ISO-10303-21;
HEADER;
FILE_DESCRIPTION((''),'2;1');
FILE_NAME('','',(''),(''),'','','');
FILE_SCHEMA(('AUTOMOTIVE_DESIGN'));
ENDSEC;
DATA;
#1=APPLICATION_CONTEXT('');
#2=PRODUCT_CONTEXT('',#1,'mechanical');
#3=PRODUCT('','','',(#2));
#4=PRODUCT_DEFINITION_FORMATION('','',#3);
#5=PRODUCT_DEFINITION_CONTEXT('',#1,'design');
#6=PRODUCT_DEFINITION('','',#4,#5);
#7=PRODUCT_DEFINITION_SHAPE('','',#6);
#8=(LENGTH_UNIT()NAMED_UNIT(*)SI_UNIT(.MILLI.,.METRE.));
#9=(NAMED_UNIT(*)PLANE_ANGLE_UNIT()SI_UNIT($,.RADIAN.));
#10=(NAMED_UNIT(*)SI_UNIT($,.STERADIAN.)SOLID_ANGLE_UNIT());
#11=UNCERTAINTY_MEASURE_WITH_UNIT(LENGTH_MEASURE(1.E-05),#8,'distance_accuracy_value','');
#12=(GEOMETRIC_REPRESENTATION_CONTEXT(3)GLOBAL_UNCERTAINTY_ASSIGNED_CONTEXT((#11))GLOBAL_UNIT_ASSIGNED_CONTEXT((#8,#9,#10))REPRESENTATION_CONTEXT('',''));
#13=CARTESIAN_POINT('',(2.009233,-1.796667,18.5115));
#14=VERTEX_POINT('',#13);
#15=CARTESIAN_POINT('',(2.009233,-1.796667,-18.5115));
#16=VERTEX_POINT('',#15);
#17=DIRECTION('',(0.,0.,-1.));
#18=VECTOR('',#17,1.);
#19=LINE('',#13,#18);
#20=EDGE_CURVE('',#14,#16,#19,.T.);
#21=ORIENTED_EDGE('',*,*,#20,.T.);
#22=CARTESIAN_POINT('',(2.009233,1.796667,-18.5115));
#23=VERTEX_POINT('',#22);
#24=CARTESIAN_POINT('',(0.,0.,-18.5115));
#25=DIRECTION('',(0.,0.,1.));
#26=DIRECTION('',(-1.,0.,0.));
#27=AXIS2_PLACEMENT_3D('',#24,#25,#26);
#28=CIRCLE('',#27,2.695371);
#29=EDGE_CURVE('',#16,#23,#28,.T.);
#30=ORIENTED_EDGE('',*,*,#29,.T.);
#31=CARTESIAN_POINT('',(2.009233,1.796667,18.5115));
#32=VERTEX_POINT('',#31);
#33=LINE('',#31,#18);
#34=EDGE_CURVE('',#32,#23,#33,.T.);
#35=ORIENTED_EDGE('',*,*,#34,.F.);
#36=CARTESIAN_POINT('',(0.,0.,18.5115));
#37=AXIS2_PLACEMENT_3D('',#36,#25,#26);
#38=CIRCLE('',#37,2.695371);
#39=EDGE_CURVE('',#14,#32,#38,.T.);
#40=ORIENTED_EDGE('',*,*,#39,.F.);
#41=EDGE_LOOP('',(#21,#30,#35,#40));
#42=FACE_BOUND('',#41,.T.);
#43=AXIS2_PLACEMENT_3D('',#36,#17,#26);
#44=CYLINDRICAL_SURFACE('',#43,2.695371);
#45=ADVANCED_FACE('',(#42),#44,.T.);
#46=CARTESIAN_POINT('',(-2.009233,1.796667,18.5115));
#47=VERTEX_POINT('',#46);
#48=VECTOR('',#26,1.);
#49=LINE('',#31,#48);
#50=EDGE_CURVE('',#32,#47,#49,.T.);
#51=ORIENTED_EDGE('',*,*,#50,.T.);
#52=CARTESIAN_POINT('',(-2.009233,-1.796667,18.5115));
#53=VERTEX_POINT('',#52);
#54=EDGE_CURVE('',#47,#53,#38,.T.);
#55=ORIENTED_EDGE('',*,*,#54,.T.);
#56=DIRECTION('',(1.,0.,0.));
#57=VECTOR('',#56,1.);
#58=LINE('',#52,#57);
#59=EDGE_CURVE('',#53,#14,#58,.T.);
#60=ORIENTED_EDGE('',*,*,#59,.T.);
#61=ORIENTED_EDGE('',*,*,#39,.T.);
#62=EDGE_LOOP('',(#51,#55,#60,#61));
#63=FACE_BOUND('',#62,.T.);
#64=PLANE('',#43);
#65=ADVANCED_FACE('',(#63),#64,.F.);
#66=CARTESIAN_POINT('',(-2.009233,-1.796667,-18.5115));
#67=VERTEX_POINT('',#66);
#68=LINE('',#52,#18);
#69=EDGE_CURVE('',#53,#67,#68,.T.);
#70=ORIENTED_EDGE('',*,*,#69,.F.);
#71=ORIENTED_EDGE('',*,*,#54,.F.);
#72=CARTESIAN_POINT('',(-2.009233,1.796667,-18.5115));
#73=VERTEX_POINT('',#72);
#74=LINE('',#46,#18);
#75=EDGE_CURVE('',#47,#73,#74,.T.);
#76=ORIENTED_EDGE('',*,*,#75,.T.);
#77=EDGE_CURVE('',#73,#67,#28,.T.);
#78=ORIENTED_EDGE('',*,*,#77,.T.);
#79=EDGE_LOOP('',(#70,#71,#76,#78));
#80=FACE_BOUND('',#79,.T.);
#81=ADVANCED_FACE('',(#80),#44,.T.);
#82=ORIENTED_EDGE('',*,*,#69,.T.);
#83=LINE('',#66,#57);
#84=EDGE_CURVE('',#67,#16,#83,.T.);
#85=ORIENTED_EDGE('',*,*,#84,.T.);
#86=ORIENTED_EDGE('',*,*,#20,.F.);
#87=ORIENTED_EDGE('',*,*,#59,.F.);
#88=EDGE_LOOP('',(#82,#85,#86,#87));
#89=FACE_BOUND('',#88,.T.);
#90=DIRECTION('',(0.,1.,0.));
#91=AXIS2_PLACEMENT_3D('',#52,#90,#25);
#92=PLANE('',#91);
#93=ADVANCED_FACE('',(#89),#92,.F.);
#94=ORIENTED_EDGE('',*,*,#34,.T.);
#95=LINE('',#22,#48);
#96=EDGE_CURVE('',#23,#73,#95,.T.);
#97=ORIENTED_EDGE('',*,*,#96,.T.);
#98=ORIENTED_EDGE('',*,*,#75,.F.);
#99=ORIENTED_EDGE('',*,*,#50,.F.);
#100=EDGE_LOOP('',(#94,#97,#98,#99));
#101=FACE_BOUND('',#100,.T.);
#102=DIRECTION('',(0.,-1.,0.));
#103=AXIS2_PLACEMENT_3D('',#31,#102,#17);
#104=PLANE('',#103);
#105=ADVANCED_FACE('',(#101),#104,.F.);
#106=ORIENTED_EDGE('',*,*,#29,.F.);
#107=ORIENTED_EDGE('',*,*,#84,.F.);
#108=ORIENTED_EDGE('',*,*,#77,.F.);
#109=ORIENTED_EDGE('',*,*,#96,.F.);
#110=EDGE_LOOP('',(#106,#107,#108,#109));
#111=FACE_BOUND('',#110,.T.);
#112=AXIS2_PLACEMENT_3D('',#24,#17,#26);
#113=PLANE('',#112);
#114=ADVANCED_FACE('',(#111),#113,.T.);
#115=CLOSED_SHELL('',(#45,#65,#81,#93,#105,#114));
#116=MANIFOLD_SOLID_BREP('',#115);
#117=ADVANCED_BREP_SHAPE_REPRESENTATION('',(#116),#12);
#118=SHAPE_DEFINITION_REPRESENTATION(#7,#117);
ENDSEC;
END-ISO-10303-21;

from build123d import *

# Parameters (mm, degrees)
BOSS_EXTRUDE1_DEPTH = 18.5115


with BuildPart() as part:
    # Sketch1 → Boss-Extrude1 (new, symmetric)
    with BuildSketch(Plane.XY):
        with BuildLine():
            Line((2.009232696, 1.796666667), (-2.009232696, 1.796666667))
            ThreePointArc((-2.009232696, 1.796666667), (-2.695371429, 0), (-2.009232696, -1.796666667))
            Line((-2.009232696, -1.796666667), (2.009232696, -1.796666667))
            ThreePointArc((2.009232696, -1.796666667), (2.695371429, 0), (2.009232696, 1.796666667))
        make_face()
    extrude(amount=BOSS_EXTRUDE1_DEPTH, both=True)


solid = part.part
